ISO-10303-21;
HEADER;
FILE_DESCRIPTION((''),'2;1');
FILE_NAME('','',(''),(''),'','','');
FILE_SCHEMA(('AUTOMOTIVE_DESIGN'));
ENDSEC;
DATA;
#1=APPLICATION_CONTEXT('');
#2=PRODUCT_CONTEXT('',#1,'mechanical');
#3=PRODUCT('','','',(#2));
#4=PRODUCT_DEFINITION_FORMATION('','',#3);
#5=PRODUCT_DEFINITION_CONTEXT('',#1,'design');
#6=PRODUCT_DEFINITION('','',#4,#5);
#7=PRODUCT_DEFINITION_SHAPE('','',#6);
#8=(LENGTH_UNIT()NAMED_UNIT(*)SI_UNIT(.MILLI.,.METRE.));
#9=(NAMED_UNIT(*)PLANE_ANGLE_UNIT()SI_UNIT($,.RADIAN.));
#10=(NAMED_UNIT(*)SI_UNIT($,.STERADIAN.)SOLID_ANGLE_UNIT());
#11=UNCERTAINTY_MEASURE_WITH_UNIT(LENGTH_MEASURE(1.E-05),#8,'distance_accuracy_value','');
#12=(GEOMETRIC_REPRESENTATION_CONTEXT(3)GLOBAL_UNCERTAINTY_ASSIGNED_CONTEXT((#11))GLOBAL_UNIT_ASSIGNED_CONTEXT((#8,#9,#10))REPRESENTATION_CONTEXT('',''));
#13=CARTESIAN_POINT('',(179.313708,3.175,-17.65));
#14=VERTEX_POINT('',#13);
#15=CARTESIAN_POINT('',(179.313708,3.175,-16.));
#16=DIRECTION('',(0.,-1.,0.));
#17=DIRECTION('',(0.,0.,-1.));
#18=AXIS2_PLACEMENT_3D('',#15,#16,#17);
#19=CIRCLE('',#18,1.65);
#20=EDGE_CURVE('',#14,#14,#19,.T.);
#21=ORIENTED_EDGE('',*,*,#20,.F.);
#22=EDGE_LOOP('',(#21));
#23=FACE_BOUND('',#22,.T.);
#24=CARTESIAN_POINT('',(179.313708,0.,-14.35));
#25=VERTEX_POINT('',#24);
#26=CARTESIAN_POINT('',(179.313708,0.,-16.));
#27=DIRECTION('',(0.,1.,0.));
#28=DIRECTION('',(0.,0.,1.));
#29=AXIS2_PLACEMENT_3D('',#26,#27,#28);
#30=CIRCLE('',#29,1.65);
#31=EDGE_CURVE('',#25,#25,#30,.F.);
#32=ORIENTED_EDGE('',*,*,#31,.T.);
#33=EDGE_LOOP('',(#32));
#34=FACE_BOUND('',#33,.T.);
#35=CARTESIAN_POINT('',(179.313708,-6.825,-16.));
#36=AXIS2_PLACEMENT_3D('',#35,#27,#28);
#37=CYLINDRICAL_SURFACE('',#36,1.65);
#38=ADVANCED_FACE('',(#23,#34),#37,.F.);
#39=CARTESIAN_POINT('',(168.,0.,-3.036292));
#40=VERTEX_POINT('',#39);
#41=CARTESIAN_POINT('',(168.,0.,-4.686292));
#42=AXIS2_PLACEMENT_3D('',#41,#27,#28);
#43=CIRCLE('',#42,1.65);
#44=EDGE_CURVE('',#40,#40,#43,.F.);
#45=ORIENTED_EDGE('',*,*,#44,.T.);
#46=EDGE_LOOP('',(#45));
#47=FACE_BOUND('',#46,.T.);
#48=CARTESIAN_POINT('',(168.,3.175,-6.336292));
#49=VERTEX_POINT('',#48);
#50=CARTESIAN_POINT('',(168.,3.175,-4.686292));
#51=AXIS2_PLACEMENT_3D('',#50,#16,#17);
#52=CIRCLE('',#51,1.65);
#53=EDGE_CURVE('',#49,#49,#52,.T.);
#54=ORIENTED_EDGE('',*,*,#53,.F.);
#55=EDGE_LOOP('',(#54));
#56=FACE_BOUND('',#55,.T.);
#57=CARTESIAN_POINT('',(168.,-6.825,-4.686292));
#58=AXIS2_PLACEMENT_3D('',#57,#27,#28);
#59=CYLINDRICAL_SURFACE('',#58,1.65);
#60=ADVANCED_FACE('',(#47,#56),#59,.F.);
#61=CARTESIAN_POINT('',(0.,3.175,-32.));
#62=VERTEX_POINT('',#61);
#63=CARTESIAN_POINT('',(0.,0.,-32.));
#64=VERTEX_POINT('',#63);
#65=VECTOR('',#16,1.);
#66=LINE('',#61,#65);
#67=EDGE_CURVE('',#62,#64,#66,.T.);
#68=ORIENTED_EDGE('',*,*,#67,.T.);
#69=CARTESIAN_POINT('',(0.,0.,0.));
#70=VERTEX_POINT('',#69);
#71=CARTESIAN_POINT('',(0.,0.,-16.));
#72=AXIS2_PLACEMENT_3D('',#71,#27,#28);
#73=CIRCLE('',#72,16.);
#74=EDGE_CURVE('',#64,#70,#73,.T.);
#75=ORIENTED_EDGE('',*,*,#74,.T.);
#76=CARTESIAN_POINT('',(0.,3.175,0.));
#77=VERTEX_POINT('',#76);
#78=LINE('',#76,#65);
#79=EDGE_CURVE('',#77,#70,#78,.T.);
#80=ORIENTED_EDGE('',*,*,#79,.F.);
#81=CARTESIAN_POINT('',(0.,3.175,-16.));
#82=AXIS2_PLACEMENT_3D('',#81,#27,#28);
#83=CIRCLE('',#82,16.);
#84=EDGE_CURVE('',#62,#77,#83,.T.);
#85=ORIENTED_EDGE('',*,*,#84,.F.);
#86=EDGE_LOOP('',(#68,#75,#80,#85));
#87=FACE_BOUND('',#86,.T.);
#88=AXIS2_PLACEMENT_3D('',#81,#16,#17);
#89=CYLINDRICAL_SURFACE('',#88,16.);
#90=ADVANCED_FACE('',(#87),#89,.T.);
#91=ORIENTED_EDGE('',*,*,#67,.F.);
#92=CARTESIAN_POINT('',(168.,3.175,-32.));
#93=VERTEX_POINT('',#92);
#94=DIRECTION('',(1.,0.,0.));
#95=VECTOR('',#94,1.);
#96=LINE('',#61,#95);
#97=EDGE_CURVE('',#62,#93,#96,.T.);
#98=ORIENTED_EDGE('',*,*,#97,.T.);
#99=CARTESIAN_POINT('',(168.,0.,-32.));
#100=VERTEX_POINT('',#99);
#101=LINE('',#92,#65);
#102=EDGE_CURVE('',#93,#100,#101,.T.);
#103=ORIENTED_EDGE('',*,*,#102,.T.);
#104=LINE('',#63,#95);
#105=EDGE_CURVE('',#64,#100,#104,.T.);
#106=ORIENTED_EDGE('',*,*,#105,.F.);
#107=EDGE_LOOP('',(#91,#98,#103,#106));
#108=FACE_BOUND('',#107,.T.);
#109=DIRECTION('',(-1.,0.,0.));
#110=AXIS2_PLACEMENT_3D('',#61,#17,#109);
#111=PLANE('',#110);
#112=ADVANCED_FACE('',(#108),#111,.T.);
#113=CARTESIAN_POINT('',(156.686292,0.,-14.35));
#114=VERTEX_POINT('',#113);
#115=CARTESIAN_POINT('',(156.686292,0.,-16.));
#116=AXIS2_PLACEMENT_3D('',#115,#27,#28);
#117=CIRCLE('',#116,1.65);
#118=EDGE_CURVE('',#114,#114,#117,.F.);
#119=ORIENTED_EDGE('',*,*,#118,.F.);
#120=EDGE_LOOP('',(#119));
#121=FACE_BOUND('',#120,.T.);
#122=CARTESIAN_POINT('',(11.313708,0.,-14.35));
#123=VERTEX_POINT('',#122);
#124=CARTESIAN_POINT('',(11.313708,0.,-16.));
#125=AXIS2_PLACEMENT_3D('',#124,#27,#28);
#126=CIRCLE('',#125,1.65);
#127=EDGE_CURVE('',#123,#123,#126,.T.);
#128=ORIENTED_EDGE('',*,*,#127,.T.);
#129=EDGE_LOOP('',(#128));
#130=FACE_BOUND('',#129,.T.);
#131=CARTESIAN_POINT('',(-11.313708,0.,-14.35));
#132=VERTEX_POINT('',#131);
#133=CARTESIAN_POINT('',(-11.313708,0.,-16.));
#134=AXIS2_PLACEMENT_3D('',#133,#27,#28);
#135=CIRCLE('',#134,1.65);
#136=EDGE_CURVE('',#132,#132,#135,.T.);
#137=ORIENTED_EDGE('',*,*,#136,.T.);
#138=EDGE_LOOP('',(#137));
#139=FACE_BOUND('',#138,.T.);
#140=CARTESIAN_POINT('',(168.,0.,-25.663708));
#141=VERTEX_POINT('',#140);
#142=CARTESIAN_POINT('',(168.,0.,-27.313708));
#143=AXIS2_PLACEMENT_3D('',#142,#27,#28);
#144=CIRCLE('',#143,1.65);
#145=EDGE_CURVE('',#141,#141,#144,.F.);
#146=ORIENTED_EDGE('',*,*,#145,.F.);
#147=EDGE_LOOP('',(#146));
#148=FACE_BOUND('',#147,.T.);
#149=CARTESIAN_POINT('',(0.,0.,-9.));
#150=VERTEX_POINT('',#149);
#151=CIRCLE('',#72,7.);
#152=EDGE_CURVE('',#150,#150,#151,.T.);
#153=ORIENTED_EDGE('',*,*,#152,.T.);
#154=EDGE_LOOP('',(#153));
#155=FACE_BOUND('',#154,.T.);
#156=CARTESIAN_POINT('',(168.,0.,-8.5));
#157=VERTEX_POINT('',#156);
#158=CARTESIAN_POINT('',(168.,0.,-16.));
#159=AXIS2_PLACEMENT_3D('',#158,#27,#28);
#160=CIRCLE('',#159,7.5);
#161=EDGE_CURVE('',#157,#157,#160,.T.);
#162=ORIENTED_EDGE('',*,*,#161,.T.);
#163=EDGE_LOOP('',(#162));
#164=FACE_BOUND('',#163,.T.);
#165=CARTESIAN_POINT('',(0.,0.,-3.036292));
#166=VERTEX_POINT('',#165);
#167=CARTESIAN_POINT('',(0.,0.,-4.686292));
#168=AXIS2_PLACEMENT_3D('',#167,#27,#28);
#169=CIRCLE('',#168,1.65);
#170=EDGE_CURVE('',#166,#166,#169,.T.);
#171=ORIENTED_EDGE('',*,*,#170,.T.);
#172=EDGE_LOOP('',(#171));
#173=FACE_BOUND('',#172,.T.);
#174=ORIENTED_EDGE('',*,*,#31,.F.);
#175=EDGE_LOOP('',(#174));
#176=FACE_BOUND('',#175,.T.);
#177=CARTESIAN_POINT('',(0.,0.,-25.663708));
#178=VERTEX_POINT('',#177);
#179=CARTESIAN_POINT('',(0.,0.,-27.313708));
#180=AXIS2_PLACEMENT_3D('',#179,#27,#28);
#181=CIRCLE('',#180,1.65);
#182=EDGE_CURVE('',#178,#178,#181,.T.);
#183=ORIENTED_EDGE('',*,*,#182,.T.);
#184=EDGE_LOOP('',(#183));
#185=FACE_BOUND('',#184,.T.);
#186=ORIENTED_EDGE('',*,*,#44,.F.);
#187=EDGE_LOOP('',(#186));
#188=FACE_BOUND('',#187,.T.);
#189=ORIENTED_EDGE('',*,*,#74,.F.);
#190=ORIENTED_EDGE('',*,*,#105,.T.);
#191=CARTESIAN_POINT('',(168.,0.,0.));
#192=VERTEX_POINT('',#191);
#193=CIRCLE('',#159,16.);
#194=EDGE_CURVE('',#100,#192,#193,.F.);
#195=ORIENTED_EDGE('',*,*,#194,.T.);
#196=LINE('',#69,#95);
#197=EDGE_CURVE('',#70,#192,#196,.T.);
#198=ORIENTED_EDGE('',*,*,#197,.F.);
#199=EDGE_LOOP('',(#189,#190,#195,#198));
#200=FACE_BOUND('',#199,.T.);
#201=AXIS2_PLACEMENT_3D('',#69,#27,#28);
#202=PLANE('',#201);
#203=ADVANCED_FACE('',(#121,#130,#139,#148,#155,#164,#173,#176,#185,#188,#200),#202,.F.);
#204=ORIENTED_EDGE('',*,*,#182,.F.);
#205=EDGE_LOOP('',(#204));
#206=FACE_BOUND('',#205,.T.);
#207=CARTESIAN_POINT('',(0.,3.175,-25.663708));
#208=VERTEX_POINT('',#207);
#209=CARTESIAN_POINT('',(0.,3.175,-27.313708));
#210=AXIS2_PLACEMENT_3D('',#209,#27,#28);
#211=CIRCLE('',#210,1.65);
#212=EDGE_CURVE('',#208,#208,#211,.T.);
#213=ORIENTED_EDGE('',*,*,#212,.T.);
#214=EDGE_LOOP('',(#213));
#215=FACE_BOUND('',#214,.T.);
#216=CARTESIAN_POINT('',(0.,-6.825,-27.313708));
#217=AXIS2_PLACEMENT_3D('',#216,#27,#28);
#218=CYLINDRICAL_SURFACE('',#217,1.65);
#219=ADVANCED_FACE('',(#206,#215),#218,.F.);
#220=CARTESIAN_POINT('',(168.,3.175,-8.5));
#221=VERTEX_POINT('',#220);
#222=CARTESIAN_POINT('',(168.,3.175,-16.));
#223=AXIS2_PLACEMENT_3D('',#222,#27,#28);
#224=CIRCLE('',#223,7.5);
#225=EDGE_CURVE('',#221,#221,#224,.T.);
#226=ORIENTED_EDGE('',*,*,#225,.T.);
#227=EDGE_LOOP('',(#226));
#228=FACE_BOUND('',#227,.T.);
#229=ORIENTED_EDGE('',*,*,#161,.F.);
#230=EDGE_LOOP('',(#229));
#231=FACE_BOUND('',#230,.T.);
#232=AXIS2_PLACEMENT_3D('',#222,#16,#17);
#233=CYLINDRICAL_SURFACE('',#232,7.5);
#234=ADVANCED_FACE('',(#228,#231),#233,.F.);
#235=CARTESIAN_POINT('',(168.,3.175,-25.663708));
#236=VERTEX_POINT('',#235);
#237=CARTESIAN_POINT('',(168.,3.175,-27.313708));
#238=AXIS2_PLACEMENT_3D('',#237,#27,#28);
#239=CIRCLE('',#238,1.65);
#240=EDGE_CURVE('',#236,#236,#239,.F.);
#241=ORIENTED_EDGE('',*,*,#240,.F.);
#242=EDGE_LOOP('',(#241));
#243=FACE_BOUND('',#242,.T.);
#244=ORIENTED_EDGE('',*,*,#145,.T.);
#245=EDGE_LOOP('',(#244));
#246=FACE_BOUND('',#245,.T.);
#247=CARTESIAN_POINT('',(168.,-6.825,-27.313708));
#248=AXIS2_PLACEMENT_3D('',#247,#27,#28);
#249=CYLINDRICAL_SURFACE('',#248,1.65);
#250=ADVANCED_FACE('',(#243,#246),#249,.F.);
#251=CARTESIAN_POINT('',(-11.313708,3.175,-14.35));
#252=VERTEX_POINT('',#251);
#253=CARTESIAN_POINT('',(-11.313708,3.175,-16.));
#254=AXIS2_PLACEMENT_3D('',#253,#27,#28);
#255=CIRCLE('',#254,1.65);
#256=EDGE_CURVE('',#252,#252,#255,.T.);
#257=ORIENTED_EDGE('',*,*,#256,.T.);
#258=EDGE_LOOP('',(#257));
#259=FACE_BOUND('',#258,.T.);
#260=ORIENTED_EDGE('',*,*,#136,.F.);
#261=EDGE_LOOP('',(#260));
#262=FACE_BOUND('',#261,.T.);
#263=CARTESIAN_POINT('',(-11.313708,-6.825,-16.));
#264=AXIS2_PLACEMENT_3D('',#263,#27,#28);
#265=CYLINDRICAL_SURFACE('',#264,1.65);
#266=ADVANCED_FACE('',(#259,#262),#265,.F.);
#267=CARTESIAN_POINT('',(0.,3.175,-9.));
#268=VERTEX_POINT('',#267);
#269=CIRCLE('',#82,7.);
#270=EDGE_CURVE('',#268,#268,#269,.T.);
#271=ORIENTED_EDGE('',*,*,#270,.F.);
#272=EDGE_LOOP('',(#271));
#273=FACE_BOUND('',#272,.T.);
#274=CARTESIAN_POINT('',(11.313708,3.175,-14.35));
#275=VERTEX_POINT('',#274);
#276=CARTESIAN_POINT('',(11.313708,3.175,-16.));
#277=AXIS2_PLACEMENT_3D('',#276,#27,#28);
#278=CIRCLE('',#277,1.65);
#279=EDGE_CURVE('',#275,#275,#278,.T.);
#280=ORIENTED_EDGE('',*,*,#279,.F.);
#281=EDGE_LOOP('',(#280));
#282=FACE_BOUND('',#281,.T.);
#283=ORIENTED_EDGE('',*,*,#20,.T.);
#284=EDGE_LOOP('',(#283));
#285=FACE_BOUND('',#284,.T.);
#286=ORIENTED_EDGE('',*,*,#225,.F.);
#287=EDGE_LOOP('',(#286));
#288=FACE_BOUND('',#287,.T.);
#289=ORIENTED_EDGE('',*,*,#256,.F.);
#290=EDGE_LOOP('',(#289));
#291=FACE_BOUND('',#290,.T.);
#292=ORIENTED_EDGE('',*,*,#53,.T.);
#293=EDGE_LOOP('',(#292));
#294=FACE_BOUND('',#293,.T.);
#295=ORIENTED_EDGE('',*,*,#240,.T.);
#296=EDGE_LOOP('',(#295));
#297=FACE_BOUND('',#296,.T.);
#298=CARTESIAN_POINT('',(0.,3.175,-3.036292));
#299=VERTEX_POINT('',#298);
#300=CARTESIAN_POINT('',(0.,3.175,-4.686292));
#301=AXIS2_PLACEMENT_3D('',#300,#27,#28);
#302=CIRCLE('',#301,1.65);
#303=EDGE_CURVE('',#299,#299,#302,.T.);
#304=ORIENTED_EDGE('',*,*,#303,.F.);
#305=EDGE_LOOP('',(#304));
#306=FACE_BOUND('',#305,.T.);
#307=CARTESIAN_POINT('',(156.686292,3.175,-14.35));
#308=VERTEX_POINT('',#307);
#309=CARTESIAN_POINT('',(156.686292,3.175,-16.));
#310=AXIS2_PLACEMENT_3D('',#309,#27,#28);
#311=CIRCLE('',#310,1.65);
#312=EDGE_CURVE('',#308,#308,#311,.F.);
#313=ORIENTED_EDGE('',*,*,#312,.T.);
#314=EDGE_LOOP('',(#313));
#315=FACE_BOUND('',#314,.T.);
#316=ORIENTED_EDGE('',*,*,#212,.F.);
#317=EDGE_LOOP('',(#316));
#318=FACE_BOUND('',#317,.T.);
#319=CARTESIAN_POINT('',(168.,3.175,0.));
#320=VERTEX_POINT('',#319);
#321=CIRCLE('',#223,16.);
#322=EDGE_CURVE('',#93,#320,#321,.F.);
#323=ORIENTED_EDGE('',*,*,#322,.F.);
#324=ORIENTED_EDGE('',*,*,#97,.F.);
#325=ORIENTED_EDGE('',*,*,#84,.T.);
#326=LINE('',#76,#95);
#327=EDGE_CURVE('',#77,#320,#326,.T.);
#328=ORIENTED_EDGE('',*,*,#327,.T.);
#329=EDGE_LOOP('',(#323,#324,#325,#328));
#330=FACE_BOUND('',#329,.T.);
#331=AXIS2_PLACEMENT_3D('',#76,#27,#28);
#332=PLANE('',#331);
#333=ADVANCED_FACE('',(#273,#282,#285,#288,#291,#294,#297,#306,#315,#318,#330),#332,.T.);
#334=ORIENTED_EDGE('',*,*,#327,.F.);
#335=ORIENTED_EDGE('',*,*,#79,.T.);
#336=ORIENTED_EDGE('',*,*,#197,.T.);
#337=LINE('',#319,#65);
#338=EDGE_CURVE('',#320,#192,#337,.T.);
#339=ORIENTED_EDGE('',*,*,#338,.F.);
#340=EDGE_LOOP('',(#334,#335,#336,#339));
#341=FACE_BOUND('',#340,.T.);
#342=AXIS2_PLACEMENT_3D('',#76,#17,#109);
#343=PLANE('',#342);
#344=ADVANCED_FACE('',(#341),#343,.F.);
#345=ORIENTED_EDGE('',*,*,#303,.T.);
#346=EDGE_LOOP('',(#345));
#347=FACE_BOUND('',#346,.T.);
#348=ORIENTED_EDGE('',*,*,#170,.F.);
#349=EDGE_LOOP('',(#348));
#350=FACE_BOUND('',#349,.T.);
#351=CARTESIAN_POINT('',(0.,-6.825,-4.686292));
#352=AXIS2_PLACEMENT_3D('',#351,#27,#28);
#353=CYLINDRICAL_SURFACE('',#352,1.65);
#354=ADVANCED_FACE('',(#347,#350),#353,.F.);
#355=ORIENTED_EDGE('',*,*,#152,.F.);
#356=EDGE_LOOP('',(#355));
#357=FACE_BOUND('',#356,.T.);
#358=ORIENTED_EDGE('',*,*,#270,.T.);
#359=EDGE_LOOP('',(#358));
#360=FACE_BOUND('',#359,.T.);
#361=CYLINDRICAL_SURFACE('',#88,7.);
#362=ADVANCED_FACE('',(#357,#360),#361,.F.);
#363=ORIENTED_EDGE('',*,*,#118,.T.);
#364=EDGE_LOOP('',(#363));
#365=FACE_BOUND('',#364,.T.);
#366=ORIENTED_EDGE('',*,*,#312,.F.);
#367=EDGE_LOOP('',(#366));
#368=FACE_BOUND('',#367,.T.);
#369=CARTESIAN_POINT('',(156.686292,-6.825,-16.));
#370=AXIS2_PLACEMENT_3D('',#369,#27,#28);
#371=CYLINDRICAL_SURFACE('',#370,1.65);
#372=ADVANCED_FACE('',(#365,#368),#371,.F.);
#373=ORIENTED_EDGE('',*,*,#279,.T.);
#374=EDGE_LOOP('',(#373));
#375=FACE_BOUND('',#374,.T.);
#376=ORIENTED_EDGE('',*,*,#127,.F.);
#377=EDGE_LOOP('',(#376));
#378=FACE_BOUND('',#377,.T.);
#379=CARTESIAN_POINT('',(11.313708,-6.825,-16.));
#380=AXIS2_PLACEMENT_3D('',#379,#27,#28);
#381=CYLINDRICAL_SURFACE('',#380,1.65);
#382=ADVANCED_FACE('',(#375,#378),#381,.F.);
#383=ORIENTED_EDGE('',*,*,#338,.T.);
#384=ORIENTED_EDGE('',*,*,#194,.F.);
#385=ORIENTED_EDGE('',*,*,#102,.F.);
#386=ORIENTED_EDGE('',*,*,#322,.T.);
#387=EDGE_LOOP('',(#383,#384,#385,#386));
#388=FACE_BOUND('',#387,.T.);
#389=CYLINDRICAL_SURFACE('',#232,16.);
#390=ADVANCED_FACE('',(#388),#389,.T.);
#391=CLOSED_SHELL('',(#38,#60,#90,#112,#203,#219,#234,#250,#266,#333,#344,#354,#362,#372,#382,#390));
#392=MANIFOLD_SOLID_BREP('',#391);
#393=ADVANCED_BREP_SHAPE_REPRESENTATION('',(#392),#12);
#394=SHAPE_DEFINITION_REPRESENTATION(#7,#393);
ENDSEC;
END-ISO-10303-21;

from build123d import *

# Parameters (mm, degrees)
SKETCH1_R           = 7
SKETCH1_R_2         = 7.5
BOSS_EXTRUDE1_DEPTH = 3.175
SKETCH2_R           = 1.65
CUT_EXTRUDE1_DEPTH  = 10


with BuildPart() as part:
    # Sketch1 → Boss-Extrude1 (new body)
    with BuildSketch(Plane(origin=(0, 0, 0), x_dir=(1, 0, 0), z_dir=(0, 1, 0))):
        with BuildLine():
            Line((0, 0), (168, 0))
            ThreePointArc((168, 0), (184, 16), (168, 32))
            Line((168, 32), (0, 32))
            ThreePointArc((0, 32), (-16, 16), (0, 0))
        make_face()
        with Locations(Location((0, 16, 0), (0, 0, 270))):
            Circle(SKETCH1_R, mode=Mode.SUBTRACT)
        with Locations(Location((168, 16, 0), (0, 0, 270))):
            Circle(SKETCH1_R_2, mode=Mode.SUBTRACT)
    extrude(amount=BOSS_EXTRUDE1_DEPTH)

    # Sketch2 → Cut-Extrude1 (cut)
    with BuildSketch(Plane(origin=(0, 3.175, 0), x_dir=(1, 0, 0), z_dir=(0, 1, 0))):
        with Locations(Location((156.686291501, 16, 0), (0, 0, 270))):
            Circle(SKETCH2_R)
        with Locations(Location((168, 27.313708499, 0), (0, 0, 270))):
            Circle(SKETCH2_R)
        with Locations(Location((-11.313708499, 16, 0), (0, 0, 270))):
            Circle(SKETCH2_R)
        with Locations(Location((0, 27.313708499, 0), (0, 0, 270))):
            Circle(SKETCH2_R)
        with Locations(Location((11.313708499, 16, 0), (0, 0, 270))):
            Circle(SKETCH2_R)
        with Locations(Location((0, 4.686291501, 0), (0, 0, 270))):
            Circle(SKETCH2_R)
        with Locations(Location((168, 4.686291501, 0), (0, 0, 270))):
            Circle(SKETCH2_R)
        with Locations(Location((179.313708499, 16, 0), (0, 0, 270))):
            Circle(SKETCH2_R)
    extrude(amount=-CUT_EXTRUDE1_DEPTH, mode=Mode.SUBTRACT)


solid = part.part
